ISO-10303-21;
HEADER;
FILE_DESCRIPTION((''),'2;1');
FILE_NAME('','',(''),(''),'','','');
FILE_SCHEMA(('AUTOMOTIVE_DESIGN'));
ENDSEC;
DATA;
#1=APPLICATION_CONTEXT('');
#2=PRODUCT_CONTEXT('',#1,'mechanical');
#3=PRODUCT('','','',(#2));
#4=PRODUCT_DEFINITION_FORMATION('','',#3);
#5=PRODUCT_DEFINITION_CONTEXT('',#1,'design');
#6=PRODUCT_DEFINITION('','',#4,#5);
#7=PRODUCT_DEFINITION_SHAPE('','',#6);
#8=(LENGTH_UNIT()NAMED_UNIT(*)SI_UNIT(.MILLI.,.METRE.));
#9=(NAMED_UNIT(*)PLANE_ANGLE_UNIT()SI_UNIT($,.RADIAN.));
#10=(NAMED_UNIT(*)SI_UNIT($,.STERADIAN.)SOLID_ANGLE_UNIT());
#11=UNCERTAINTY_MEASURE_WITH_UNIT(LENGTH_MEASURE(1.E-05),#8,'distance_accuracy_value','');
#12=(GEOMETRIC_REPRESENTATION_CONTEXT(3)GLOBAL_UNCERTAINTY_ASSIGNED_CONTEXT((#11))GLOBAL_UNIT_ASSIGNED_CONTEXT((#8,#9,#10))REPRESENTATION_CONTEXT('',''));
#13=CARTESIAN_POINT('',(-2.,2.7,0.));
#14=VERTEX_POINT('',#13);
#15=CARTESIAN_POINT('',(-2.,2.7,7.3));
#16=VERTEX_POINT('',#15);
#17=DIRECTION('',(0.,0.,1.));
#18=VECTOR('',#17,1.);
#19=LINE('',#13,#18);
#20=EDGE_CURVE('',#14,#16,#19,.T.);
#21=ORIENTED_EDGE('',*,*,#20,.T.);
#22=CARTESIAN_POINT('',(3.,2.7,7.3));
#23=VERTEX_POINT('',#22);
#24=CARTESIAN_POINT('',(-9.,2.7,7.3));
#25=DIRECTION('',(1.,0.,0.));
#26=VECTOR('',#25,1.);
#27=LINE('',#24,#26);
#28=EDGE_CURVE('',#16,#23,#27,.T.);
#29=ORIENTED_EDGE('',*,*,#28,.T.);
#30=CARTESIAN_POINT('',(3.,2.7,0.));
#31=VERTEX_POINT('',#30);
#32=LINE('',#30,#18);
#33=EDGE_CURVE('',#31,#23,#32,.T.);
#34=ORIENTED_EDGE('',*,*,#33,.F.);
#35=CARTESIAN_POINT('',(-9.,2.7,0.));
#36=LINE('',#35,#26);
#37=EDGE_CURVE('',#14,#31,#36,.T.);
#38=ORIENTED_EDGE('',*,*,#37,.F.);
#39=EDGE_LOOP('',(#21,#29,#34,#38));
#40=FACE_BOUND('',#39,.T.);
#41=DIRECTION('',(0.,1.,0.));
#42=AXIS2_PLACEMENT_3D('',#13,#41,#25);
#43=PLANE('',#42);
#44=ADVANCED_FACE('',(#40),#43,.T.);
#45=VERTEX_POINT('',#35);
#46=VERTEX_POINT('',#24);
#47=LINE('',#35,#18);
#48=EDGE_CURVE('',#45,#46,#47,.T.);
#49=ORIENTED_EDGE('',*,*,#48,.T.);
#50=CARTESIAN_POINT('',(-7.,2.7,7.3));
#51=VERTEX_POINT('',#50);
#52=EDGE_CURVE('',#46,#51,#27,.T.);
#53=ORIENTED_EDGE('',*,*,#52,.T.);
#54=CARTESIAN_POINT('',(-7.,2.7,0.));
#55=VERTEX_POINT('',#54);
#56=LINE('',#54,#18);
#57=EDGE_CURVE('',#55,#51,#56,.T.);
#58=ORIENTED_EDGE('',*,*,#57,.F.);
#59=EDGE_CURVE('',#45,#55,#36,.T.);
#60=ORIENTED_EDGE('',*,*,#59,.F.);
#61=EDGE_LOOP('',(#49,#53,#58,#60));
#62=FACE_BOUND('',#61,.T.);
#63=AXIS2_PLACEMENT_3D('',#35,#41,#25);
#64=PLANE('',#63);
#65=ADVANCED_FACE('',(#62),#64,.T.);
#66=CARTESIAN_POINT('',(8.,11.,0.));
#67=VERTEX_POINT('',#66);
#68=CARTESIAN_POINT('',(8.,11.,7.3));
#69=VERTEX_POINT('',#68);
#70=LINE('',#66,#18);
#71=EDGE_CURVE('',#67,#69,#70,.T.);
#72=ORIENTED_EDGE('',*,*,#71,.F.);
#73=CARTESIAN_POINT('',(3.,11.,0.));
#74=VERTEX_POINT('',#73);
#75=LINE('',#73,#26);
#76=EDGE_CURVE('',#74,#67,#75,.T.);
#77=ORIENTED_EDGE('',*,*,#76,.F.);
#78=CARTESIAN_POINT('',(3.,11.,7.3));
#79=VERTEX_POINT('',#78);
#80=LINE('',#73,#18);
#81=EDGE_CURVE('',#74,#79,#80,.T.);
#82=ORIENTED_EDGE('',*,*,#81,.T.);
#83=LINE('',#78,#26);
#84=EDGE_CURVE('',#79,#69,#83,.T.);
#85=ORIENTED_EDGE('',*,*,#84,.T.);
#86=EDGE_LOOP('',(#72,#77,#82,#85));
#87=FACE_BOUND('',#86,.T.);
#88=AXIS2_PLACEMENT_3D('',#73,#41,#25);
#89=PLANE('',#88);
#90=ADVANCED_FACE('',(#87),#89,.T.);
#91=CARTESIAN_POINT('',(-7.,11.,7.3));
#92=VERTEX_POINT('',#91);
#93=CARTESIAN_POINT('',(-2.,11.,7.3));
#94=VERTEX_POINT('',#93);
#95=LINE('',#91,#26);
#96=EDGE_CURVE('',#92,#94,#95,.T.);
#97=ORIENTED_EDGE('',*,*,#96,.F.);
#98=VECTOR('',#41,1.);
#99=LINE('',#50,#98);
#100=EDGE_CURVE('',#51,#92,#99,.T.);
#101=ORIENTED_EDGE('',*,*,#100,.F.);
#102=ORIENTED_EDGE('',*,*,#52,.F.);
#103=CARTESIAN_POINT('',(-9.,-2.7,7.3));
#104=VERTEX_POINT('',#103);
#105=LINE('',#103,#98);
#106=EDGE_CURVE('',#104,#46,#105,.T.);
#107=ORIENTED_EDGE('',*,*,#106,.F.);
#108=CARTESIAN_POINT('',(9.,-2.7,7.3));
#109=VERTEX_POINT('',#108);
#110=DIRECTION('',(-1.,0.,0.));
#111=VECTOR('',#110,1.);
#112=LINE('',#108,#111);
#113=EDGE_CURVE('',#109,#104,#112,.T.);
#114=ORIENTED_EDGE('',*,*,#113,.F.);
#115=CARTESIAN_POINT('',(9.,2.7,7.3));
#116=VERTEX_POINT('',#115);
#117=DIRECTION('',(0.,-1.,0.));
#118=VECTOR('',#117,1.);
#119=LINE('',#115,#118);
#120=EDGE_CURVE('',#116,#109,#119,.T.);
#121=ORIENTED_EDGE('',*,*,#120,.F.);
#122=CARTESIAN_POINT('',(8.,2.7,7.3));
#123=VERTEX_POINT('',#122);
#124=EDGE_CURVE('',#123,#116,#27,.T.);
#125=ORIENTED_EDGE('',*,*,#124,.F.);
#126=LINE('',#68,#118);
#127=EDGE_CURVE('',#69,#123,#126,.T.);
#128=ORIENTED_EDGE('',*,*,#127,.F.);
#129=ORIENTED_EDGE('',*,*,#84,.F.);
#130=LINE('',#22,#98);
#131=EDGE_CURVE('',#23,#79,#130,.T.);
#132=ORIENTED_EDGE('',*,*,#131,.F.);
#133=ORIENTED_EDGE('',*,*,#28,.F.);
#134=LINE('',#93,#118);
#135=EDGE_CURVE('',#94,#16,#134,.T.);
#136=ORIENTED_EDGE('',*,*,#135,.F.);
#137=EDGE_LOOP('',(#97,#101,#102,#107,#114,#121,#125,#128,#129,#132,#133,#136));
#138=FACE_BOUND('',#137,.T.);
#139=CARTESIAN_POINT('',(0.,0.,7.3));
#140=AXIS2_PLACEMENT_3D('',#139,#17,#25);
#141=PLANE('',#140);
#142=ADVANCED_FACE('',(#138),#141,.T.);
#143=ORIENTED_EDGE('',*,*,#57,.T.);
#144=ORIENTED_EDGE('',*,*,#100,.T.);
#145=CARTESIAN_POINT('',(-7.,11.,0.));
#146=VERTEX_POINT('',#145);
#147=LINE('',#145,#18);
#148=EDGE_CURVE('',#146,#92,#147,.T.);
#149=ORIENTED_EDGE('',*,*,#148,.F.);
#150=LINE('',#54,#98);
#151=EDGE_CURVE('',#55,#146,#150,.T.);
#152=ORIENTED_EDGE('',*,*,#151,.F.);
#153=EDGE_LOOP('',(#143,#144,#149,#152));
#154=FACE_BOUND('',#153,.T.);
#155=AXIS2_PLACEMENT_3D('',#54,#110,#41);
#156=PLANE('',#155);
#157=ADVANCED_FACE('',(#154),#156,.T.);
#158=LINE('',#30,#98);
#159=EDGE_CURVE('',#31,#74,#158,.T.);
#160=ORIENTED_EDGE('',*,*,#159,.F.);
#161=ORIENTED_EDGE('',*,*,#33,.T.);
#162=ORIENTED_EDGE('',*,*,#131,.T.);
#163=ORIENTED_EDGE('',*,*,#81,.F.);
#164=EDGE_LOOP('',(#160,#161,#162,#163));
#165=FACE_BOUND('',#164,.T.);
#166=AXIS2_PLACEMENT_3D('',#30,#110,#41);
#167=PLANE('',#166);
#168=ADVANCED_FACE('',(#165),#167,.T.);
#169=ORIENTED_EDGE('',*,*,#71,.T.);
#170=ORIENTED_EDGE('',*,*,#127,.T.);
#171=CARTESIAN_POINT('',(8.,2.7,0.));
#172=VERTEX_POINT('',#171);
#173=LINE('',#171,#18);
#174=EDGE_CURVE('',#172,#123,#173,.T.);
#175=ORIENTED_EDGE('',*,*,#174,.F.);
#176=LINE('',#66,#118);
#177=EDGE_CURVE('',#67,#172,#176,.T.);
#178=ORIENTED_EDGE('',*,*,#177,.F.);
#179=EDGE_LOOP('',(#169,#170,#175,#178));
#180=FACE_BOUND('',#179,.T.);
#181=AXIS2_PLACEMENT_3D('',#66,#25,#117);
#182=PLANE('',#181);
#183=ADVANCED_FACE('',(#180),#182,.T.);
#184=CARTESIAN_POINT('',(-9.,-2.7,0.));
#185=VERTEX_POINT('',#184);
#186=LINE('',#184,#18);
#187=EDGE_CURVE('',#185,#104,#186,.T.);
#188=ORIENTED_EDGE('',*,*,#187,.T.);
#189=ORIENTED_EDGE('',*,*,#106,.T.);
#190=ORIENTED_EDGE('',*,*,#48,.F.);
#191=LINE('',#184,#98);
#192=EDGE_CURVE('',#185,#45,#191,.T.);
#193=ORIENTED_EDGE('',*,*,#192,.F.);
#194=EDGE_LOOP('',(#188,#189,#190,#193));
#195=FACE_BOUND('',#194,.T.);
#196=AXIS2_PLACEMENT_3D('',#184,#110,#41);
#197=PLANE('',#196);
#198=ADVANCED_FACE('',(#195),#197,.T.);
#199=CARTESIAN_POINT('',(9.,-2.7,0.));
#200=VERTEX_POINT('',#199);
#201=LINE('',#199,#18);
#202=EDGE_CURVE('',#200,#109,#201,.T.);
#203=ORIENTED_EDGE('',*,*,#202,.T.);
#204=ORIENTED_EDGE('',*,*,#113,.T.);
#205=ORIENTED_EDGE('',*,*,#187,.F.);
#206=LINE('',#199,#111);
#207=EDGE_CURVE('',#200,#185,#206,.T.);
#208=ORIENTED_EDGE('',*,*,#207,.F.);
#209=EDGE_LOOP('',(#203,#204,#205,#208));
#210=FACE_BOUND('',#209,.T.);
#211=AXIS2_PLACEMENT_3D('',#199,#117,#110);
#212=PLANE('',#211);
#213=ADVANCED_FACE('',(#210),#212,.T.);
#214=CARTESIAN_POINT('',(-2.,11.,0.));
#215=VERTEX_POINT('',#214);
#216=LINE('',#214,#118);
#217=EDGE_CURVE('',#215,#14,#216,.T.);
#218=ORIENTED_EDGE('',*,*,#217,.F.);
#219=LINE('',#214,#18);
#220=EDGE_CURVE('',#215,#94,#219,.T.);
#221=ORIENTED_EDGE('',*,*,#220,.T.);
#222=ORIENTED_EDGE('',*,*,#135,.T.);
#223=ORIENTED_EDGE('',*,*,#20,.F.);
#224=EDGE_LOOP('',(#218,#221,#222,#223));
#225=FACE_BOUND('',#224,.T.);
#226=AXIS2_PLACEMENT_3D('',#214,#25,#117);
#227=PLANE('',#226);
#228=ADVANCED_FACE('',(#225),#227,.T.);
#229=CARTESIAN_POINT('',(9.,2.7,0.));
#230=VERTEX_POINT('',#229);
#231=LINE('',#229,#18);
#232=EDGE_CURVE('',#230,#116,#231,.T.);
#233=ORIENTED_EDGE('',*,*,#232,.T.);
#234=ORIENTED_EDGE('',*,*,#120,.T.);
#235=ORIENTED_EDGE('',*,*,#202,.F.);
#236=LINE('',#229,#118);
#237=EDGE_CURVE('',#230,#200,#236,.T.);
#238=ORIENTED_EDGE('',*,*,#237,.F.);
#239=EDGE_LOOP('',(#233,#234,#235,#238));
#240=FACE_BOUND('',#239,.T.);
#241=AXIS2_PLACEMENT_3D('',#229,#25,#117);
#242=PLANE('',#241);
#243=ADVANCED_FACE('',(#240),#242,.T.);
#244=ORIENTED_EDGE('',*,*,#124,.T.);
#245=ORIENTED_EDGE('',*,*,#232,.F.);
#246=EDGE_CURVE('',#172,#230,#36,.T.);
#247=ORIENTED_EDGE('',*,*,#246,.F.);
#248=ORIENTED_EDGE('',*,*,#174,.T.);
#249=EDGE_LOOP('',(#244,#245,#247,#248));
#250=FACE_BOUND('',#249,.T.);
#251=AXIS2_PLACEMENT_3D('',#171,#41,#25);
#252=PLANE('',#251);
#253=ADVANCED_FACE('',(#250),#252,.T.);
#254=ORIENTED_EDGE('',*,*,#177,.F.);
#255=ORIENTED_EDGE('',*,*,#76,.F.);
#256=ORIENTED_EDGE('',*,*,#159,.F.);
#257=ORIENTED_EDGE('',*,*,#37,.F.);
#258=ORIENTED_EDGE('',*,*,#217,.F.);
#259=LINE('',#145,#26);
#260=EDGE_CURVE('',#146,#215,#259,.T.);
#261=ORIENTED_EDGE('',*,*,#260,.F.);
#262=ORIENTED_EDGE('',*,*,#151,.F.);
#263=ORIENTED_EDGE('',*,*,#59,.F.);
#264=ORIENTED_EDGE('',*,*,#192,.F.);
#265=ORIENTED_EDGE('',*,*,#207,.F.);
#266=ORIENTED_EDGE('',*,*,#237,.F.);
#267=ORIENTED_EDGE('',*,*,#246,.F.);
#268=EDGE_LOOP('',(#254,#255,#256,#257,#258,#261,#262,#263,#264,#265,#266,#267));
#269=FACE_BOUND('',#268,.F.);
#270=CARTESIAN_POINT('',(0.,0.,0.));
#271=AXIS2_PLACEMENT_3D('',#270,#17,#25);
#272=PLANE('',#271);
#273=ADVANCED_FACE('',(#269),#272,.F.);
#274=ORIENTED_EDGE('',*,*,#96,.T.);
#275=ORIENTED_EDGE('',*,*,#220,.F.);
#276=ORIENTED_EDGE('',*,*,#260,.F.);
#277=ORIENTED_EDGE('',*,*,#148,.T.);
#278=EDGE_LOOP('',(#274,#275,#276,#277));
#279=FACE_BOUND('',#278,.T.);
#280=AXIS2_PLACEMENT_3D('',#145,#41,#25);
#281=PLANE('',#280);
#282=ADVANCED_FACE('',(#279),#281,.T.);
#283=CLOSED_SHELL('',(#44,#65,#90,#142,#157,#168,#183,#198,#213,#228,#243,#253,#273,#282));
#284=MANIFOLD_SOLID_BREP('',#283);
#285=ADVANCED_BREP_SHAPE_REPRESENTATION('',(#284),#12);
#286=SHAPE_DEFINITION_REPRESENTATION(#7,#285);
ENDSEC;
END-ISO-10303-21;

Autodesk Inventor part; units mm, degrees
ref_plane "YZ Plane" through (0, 0, 0) normal (1, 0, 0) x (0, 1, 0)
ref_plane "XZ Plane" through (0, 0, 0) normal (0, 1, 0) x (-1, 0, 0)
ref_plane "XY Plane" through (0, 0, 0) normal (0, 0, 1) x (1, 0, 0)
sketch "Sketch1" plane through (0, 0, 0) normal (0, 0, 1) x (1, 0, 0)
  line L0 (-9, 2.7) -> (9, 2.7)
  line L1 (9, 2.7) -> (9, -2.7)
  line L2 (9, -2.7) -> (-9, -2.7)
  line L3 (-9, -2.7) -> (-9, 2.7)
  line L4 (-9, 2.7) -> (9, -2.7) construction
  line L5 (9, 2.7) -> (-9, -2.7) construction
  line L6 (3, 11) -> (8, 11)
  line L7 (8, 11) -> (8, 2.7)
  line L8 (8, 2.7) -> (3, 2.7)
  line L9 (3, 2.7) -> (3, 11)
  line L10 (3, 11) -> (8, 2.7) construction
  line L11 (8, 11) -> (3, 2.7) construction
  line L12 (-7, 11) -> (-2, 11)
  line L13 (-2, 11) -> (-2, 2.7)
  line L14 (-2, 2.7) -> (-7, 2.7)
  line L15 (-7, 2.7) -> (-7, 11)
  line L16 (-7, 11) -> (-2, 2.7) construction
  line L17 (-2, 11) -> (-7, 2.7) construction
  point P0 (0, 0)
  point P1 (5.5, 6.85)
  point P2 (-4.5, 6.85)
  dimension "d0" = 18
  dimension "d1" = 5.4
  dimension "d2" = 5
  dimension "d3" = 8.3
  dimension "d4" = 1
  dimension "d5" = 5
  dimension "d6" = 8.3
  dimension "d7" = 5
extrude "Extrusion1" add sketch "Sketch1" along normal blind 7.3
